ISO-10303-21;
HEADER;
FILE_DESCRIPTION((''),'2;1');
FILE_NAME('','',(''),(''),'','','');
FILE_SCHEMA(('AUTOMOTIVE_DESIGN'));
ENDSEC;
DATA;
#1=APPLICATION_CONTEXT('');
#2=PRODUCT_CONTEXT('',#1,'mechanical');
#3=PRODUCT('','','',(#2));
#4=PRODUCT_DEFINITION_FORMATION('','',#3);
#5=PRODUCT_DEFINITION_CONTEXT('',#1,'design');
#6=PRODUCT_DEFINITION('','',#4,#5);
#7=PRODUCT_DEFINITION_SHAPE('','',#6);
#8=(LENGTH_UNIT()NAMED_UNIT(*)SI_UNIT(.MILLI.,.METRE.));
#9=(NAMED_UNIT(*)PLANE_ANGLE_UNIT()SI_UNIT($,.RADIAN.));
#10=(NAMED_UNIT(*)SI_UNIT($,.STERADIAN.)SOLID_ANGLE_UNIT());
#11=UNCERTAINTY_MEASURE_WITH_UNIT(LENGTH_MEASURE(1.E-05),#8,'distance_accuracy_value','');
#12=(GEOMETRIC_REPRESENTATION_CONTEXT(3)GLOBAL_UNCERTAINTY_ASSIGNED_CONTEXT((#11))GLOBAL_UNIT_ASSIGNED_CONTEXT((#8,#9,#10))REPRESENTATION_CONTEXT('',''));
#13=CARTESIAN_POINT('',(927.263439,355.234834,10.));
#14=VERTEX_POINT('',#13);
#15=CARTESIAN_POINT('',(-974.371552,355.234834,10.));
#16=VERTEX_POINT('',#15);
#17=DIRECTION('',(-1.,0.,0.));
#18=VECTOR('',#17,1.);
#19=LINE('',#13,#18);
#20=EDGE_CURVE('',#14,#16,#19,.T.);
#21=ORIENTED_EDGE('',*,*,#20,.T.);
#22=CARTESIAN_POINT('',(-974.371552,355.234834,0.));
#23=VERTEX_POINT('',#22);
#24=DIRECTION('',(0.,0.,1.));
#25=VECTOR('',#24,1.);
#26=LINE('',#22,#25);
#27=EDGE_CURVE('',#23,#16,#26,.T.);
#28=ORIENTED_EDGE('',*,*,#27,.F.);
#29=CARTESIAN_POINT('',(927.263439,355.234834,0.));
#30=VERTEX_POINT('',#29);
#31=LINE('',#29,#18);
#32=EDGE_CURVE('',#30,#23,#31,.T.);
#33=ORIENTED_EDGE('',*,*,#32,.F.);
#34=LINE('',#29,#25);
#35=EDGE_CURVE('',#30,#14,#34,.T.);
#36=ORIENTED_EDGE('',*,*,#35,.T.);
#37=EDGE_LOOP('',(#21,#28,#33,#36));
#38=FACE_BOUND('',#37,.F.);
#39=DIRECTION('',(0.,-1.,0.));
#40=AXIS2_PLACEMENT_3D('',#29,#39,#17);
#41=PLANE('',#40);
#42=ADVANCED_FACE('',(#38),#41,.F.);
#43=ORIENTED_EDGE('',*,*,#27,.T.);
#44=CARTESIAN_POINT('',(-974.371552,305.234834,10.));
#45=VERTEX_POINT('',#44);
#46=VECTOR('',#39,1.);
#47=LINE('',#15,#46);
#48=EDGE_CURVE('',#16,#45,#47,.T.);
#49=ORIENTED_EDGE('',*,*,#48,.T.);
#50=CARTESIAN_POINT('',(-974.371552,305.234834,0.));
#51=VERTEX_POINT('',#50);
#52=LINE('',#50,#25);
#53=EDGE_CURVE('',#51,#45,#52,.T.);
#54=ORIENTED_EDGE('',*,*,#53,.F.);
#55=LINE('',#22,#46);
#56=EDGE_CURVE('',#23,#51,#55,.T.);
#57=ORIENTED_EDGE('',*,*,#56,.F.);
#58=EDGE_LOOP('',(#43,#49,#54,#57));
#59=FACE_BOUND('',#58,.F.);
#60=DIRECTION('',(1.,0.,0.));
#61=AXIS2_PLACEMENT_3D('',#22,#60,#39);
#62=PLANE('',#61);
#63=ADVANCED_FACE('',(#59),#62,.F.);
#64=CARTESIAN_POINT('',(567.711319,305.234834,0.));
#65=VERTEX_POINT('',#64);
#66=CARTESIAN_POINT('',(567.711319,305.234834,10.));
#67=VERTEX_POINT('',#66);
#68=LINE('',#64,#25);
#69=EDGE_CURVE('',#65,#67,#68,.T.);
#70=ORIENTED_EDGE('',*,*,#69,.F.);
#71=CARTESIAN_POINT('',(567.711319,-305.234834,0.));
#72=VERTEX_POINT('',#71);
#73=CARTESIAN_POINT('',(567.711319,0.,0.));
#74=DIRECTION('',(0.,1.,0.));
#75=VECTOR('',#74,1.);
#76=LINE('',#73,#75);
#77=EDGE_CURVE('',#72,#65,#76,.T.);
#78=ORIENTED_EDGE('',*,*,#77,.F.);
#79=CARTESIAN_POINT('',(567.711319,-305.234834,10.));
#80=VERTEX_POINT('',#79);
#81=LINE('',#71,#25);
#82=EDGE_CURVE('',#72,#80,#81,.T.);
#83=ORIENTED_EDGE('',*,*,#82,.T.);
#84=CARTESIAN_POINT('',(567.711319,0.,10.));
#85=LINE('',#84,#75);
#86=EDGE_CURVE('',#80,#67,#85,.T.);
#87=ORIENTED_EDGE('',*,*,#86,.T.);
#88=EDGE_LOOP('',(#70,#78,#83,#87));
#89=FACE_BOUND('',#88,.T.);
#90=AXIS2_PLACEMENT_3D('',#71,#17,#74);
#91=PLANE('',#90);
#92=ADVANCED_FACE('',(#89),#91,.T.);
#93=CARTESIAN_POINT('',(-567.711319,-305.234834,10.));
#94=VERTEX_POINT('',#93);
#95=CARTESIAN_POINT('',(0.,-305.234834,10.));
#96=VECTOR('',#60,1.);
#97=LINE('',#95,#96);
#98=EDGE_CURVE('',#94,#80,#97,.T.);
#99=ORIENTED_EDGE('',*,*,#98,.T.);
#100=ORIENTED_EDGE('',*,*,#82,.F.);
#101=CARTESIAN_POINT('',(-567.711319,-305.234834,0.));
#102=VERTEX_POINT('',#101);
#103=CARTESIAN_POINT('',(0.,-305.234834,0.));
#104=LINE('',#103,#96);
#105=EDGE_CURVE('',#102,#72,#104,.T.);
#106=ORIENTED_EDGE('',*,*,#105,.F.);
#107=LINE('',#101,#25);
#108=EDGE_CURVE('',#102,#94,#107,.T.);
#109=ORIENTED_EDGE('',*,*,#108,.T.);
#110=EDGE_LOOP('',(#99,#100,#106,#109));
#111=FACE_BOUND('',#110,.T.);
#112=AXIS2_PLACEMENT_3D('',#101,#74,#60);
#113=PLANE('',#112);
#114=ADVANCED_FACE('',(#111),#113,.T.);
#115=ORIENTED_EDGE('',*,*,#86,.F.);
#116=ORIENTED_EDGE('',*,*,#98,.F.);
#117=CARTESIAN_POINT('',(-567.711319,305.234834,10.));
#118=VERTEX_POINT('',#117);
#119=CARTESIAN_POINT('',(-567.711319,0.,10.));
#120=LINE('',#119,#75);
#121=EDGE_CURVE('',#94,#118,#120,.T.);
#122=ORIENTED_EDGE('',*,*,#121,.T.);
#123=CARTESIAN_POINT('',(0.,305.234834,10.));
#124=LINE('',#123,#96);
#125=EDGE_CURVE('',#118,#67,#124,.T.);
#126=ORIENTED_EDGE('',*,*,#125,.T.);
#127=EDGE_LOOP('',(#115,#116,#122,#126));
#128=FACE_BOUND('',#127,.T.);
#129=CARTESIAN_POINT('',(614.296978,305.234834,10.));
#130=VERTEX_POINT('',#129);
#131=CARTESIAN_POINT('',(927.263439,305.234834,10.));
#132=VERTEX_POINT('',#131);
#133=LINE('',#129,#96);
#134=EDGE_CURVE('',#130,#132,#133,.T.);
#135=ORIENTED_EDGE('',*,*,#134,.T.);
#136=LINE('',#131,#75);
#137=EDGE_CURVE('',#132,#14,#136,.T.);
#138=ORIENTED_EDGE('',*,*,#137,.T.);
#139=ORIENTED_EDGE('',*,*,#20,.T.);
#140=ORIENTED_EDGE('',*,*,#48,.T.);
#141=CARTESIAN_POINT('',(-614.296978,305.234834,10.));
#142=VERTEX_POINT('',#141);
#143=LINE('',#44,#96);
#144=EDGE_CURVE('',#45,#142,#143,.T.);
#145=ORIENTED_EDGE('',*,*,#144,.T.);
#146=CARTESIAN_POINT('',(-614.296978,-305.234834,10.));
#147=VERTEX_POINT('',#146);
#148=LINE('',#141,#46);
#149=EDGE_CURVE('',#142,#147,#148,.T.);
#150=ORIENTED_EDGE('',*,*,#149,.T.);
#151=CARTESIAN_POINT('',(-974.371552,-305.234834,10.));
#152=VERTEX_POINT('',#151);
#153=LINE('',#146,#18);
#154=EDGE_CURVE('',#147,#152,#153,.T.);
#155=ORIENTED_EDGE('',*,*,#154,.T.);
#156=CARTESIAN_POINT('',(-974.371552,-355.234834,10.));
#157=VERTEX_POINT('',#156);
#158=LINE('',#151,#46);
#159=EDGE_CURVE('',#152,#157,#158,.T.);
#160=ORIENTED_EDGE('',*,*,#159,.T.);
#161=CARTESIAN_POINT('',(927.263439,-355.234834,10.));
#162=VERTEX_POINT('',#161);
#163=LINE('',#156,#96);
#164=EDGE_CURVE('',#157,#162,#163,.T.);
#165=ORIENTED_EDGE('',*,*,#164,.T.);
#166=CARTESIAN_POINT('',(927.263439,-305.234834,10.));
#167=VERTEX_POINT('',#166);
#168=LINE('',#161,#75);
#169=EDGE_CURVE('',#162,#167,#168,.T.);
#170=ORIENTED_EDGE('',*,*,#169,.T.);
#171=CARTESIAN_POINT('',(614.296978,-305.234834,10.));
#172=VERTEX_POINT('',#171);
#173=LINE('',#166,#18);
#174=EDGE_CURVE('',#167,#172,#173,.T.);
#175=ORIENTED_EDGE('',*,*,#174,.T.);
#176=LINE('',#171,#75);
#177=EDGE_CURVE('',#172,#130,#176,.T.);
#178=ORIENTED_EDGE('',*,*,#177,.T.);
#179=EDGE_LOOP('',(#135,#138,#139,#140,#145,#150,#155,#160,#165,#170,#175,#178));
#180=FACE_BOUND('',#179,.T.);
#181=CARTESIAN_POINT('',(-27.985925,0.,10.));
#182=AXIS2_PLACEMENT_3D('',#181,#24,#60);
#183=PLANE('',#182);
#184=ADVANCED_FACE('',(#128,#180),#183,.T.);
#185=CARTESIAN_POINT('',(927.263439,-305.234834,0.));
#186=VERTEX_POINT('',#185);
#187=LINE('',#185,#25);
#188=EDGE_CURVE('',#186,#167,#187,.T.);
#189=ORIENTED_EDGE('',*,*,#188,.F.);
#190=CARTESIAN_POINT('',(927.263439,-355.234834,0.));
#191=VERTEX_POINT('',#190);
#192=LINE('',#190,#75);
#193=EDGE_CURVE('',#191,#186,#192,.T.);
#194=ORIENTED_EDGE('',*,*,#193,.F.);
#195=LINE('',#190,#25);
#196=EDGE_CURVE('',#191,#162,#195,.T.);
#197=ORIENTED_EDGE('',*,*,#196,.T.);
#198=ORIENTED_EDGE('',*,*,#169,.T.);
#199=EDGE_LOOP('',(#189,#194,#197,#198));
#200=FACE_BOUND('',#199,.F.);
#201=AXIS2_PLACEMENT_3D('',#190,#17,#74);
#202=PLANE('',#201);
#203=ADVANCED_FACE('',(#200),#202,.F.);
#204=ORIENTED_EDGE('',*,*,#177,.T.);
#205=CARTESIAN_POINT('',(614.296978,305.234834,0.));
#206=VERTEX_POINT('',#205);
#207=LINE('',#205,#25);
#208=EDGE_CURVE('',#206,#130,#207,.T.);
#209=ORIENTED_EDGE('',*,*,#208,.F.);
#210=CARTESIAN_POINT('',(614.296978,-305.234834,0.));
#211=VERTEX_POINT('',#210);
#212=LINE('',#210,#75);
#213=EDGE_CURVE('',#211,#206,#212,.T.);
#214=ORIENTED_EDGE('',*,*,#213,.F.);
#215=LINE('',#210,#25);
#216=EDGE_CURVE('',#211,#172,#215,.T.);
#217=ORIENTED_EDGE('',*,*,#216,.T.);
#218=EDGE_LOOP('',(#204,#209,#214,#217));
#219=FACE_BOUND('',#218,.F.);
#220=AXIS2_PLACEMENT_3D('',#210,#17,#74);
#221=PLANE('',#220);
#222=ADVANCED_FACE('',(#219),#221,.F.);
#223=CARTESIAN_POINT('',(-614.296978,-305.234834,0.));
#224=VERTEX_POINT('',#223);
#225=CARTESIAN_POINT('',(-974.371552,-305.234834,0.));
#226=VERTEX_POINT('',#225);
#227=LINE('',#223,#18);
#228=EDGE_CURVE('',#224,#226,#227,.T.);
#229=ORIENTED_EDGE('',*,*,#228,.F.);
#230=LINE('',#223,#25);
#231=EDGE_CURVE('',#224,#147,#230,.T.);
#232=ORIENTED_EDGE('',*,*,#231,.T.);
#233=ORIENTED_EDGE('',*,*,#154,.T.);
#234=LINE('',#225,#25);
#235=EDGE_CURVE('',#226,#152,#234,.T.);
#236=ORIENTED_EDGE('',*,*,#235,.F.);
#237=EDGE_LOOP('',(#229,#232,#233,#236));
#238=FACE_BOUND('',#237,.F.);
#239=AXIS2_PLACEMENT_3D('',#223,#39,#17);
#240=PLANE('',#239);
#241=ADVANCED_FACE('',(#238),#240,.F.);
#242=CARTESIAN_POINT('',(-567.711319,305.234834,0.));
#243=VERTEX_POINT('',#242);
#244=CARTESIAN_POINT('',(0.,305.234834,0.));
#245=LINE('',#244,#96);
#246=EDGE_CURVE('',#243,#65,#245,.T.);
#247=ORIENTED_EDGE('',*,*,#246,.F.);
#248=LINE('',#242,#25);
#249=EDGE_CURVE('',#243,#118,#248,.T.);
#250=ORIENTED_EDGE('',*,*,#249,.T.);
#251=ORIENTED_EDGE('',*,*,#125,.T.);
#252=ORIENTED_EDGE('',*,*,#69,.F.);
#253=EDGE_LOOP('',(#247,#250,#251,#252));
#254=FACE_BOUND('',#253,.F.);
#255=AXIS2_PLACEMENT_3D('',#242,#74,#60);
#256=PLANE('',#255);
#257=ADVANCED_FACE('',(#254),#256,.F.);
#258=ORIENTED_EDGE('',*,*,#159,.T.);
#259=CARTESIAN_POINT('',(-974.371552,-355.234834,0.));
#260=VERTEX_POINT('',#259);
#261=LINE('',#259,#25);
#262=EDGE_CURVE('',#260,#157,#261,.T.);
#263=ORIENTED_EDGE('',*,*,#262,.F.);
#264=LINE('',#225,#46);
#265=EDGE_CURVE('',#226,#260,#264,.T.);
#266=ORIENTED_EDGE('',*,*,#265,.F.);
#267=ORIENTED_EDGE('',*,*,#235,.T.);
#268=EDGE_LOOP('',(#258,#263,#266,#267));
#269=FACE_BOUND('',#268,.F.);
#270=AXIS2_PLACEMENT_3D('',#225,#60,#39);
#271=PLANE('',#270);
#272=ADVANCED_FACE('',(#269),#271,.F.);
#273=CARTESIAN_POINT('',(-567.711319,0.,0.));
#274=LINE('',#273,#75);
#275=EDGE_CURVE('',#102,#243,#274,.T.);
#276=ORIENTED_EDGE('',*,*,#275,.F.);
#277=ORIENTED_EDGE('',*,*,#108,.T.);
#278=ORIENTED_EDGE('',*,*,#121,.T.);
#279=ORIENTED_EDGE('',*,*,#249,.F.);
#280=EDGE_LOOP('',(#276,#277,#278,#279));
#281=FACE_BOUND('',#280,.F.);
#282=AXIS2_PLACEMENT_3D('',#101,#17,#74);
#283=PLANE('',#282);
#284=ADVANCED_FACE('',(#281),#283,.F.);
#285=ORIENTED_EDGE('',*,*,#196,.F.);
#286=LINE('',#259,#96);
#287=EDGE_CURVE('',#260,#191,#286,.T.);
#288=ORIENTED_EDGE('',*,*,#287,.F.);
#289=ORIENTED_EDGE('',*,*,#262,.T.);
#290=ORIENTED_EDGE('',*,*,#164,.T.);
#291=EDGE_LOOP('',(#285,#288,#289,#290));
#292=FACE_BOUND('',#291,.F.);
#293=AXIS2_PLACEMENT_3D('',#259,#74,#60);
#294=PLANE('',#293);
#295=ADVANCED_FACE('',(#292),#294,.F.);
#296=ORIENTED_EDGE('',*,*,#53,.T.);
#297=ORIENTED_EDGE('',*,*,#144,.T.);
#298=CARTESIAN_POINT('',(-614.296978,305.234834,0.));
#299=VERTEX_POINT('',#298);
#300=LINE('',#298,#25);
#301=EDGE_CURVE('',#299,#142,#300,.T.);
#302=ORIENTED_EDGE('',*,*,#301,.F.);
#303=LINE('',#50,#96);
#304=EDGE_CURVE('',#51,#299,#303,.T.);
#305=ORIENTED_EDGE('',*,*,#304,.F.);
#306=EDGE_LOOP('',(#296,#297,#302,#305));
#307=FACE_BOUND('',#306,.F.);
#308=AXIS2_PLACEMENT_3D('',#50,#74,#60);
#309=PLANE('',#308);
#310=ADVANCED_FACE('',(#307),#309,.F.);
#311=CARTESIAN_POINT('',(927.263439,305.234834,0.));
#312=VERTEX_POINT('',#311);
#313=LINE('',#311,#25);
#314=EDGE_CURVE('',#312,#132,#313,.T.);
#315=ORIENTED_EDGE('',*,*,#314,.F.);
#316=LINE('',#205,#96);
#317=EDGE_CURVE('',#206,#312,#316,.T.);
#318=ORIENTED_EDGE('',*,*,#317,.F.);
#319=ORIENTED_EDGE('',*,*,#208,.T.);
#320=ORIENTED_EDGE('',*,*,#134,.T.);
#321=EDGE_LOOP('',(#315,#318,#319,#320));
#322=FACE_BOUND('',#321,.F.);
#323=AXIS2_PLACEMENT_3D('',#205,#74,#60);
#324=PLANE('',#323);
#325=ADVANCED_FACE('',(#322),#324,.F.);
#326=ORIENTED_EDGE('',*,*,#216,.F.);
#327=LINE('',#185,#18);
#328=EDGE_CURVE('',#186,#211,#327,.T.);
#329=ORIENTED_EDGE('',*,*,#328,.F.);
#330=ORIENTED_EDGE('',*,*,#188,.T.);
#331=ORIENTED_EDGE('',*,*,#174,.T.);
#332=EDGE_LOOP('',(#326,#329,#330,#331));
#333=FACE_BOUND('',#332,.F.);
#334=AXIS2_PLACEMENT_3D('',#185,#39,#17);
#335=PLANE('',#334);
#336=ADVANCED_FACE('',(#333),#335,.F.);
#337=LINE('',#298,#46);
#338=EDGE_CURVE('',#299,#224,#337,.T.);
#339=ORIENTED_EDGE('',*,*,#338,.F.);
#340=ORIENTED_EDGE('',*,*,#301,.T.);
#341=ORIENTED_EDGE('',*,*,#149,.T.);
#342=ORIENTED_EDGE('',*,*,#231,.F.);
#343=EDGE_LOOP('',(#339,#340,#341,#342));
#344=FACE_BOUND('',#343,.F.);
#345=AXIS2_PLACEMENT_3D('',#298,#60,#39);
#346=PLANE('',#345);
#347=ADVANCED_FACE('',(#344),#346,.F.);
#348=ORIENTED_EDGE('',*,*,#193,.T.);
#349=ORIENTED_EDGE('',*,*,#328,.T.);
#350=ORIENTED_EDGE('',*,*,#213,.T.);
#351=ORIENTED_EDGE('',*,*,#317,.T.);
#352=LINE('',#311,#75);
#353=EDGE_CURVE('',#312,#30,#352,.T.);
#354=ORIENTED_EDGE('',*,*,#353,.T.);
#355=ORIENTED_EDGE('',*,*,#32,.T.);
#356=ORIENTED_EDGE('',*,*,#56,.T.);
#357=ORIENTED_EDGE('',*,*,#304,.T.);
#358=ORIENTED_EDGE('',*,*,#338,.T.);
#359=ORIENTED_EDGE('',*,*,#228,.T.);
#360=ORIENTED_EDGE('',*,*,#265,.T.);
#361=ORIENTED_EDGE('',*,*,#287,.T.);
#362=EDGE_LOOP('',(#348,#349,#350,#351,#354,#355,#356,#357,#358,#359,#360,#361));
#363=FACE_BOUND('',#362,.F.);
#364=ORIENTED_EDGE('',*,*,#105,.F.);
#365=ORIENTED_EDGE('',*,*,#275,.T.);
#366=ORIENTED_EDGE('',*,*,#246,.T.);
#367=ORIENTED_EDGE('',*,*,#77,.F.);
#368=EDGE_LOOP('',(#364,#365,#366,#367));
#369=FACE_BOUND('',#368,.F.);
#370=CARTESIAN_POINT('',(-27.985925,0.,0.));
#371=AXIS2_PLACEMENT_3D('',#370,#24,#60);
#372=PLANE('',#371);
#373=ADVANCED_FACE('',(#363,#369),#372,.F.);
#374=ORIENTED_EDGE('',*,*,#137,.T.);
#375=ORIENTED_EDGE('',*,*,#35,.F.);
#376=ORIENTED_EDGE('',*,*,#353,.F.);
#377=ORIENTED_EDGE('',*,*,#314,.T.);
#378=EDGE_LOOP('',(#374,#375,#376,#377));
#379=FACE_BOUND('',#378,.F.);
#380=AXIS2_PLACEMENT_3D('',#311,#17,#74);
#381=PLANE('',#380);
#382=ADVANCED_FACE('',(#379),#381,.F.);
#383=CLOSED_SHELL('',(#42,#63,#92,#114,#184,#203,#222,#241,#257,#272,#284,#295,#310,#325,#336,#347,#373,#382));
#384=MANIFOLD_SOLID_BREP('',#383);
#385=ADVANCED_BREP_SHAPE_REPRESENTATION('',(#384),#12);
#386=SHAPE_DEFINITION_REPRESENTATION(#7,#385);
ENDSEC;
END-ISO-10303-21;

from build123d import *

# Parameters (mm, degrees)
F0_W     = 1135.422638
F0_H     = 610.469668
F1_DEPTH = 10


with BuildPart() as f1:
    # F0 (on Top) → F1 (new body)
    with BuildSketch(Plane.XY):
        Polygon((614.296978, 355.234834), (-614.296978, 355.234834), (-974.371552, 355.234834), (-974.371552, 305.234834), (-614.296978, 305.234834), (-614.296978, -305.234834), (-974.371552, -305.234834), (-974.371552, -355.234834), (-614.296978, -355.234834), (614.296978, -355.234834), (927.263439, -355.234834), (927.263439, -305.234834), (614.296978, -305.234834), (614.296978, 305.234834), (927.263439, 305.234834), (927.263439, 355.234834), align=None)
        Rectangle(F0_W, F0_H, mode=Mode.SUBTRACT)
    extrude(amount=F1_DEPTH)


solid = f1.part
